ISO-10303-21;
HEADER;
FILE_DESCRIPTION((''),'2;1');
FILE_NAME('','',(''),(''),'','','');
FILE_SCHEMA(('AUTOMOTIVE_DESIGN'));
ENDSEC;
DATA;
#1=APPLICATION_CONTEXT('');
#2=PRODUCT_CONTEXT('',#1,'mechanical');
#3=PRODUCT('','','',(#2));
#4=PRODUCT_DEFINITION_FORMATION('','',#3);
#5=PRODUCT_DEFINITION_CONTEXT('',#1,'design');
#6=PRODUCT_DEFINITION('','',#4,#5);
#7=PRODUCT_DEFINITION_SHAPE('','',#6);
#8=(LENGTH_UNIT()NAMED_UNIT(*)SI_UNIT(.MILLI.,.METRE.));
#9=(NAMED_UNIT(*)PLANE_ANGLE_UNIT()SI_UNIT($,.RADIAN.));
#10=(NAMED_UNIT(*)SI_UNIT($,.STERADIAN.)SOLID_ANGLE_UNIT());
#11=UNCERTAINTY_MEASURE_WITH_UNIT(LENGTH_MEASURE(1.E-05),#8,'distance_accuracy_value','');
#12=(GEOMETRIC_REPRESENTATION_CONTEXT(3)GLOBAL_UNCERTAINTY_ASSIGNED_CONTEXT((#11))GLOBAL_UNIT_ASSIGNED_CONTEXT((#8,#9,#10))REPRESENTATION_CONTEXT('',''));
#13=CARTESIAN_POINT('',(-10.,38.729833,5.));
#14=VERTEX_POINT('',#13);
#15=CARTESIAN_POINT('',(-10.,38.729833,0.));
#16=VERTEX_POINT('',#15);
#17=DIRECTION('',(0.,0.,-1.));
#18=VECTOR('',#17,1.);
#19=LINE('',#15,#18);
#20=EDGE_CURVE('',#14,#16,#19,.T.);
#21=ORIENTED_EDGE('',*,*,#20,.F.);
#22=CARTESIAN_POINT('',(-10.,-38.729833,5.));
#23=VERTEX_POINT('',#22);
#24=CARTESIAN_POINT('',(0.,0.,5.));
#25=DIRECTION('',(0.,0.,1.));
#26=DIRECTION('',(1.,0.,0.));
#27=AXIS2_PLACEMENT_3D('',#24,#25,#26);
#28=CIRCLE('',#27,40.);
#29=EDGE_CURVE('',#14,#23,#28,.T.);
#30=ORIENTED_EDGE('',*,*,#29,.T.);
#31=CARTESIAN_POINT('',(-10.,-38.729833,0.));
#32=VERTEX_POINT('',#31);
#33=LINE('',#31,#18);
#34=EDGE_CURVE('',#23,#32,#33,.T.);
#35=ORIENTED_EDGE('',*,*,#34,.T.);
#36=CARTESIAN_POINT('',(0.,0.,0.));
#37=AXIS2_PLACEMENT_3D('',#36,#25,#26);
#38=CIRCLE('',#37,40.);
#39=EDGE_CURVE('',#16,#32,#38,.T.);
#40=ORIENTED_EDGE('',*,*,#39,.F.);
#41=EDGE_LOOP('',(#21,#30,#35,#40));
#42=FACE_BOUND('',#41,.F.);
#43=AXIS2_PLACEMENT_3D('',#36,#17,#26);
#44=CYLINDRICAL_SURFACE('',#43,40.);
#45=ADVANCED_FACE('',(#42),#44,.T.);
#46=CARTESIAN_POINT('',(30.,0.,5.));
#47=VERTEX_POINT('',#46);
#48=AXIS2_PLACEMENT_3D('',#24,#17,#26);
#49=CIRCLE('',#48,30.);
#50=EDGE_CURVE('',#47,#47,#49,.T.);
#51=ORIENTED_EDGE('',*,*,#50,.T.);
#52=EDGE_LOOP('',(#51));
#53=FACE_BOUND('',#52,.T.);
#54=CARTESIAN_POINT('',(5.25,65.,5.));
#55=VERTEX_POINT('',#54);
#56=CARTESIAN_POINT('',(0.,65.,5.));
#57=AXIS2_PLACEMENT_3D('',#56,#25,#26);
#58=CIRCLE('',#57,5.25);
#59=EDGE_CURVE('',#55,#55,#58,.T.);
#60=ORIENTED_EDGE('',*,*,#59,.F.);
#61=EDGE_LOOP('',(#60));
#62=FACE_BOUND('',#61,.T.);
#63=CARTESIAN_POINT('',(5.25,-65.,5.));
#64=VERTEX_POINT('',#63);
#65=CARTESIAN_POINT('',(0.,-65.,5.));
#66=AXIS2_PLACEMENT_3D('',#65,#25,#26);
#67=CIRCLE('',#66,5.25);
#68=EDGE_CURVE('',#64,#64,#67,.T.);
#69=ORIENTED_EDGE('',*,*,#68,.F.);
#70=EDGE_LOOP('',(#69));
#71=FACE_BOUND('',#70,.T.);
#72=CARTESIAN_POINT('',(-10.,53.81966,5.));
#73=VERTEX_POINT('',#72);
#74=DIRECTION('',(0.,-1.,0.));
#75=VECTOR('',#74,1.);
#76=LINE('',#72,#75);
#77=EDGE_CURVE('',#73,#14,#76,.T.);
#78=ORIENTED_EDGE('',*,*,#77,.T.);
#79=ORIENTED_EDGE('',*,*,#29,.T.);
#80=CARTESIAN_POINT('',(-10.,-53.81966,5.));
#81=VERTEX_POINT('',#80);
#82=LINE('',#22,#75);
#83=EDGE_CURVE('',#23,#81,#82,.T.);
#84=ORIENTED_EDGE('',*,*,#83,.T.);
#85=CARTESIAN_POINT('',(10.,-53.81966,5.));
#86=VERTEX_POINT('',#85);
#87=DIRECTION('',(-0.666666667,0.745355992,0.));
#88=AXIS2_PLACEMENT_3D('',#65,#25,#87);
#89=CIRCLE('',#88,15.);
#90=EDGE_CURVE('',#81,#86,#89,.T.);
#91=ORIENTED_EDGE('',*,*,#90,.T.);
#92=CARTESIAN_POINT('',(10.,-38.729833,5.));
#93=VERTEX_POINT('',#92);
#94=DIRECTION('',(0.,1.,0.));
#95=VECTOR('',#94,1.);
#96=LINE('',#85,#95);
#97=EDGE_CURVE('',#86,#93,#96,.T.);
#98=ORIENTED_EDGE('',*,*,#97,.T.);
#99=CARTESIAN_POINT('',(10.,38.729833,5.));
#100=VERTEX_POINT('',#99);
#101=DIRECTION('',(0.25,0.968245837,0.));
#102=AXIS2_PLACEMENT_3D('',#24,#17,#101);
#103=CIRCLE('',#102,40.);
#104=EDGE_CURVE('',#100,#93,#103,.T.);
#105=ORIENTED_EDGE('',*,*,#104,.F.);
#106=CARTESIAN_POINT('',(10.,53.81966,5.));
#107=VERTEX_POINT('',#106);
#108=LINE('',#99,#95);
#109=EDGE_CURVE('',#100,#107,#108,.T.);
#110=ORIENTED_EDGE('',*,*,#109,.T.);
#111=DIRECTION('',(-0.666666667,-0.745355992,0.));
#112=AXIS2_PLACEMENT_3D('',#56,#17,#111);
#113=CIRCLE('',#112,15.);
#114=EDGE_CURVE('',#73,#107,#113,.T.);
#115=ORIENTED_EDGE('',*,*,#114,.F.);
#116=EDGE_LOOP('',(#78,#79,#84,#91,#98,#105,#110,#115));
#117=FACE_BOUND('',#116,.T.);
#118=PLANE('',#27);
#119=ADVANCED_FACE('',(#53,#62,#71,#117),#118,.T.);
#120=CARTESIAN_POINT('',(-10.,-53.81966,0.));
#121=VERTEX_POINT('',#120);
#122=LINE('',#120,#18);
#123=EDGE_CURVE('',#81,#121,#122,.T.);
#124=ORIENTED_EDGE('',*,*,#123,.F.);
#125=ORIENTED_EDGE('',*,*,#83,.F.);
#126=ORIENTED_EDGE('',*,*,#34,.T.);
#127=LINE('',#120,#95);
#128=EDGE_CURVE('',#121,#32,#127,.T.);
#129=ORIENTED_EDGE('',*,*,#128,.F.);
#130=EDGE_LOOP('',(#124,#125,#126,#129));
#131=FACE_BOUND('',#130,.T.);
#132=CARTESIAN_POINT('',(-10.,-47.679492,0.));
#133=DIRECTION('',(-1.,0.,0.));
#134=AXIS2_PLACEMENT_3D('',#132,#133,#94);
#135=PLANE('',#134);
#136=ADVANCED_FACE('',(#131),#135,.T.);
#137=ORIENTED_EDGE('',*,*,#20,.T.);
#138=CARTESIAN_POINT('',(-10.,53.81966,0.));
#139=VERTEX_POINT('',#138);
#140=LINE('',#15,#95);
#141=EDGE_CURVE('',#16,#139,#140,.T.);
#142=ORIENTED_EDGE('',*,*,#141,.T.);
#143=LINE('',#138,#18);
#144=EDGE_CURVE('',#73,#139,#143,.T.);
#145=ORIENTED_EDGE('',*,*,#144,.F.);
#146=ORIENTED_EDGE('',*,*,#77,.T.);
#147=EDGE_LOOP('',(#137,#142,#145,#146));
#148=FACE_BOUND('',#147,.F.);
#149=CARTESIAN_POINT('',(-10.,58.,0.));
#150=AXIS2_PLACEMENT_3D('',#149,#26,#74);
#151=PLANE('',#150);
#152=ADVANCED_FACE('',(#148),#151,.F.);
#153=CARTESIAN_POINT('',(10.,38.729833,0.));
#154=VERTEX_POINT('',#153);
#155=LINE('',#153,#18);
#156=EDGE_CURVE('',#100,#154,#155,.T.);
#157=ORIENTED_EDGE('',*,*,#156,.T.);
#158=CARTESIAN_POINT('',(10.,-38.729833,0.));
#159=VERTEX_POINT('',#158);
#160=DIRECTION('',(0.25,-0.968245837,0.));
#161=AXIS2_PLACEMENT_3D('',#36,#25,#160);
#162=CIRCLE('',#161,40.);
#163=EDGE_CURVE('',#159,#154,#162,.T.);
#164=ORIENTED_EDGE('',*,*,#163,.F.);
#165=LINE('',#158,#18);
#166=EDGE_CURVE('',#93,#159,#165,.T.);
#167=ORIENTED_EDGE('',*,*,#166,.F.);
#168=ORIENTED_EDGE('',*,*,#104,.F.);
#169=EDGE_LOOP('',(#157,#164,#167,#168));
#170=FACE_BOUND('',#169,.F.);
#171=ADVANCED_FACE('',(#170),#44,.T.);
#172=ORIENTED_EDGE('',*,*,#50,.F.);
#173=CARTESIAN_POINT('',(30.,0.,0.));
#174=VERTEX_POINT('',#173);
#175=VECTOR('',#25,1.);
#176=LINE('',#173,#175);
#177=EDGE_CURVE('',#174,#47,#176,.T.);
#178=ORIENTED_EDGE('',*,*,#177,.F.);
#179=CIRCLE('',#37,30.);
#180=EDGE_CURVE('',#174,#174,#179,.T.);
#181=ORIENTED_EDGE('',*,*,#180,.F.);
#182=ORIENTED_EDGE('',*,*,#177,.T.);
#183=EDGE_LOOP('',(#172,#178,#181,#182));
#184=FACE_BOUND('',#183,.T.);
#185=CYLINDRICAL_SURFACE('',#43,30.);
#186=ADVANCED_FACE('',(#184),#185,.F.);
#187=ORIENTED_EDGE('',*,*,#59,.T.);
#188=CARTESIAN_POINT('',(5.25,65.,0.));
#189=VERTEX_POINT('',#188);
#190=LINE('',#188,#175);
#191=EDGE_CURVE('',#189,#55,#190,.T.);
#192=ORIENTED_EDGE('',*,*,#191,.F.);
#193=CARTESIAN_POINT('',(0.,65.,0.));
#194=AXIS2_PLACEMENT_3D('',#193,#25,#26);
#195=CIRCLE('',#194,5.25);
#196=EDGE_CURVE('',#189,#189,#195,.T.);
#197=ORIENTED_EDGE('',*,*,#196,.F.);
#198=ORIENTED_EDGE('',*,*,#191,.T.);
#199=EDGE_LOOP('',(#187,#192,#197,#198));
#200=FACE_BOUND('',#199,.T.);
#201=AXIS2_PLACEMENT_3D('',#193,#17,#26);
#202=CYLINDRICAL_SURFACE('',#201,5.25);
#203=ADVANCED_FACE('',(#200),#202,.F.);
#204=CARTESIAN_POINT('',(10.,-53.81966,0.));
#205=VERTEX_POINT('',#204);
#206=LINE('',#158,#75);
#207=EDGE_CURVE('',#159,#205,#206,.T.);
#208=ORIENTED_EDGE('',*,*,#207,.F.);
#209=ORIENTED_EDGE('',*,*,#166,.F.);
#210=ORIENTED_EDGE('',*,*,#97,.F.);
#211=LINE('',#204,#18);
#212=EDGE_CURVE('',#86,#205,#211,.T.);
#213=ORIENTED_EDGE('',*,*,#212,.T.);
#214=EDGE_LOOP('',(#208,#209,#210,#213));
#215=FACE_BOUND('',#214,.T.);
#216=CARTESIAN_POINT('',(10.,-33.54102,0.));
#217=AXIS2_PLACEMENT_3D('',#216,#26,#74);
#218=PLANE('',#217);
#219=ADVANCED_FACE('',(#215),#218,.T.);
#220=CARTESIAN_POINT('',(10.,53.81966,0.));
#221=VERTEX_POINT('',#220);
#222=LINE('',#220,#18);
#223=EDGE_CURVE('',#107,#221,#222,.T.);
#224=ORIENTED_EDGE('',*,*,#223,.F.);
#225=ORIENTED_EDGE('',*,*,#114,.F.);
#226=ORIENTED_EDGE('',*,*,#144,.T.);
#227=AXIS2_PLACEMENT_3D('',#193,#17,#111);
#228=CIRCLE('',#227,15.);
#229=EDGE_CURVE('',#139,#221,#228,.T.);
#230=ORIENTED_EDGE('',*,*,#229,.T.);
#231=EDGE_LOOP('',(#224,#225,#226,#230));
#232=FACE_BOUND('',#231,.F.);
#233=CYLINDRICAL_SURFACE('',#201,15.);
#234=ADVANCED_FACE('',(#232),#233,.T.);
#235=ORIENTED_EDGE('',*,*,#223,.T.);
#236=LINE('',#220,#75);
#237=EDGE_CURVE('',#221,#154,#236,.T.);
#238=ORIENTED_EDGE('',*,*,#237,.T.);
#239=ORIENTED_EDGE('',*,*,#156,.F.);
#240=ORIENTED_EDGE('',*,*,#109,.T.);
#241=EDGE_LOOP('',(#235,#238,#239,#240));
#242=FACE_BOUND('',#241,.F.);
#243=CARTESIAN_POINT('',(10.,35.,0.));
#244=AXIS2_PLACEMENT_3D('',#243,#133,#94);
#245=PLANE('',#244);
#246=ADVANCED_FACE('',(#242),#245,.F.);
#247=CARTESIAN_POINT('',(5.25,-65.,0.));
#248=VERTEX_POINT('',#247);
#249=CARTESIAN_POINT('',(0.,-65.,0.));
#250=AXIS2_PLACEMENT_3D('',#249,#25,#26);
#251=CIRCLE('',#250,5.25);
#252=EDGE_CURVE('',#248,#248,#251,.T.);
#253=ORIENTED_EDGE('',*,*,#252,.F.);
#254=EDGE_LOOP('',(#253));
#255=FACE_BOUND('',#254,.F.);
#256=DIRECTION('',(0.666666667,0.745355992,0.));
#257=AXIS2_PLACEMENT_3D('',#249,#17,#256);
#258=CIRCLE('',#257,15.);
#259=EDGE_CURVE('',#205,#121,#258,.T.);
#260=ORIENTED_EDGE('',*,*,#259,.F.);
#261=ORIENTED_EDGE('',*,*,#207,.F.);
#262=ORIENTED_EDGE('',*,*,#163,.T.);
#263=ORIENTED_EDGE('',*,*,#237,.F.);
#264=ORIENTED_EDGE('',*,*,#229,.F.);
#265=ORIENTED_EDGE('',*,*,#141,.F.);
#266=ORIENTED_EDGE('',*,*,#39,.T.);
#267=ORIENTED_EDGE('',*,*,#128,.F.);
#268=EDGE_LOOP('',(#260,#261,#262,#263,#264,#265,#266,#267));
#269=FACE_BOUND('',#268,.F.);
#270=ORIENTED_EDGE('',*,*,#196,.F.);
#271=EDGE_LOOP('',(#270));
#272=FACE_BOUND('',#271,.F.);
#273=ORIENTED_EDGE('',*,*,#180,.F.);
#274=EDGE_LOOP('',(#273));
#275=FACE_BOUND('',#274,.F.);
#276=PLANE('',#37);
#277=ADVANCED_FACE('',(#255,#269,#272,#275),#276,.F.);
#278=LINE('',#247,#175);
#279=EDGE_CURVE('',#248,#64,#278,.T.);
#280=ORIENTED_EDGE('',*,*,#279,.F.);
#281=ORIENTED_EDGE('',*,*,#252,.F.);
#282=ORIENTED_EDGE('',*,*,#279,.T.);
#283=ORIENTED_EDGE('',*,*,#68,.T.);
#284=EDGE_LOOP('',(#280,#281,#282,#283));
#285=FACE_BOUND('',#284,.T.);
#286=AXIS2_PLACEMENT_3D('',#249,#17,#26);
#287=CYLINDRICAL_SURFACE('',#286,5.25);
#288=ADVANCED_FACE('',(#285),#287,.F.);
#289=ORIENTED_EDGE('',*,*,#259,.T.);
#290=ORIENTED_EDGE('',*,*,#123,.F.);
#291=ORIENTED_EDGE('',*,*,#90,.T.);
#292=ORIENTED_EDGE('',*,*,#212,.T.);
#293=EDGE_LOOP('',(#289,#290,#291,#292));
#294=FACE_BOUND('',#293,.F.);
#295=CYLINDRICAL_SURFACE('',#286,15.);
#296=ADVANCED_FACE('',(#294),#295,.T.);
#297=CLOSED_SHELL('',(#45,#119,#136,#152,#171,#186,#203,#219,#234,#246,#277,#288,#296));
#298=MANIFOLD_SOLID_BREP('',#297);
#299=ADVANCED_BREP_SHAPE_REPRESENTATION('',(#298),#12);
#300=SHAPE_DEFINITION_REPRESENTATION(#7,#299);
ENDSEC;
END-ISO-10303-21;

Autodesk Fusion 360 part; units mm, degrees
sketch "Sketch1" plane through (0, 0, 0) normal (0, 0, 1) x (1, 0, 0)
  circle A0 centre (0, 0) radius 90
  circle A1 centre (0, 65) radius 10
  circle A2 centre (0, -65) radius 10
  circle A3 centre (0, 0) radius 25
  circle A4 centre (0, 0) radius 35
  circle A5 centre (0, 65) radius 20
  circle A6 centre (0, -65) radius 20
  line L0 (-10, 30) -> (10, 30)
  line L1 (10, 30) -> (10, 50)
  line L2 (10, 50) -> (-10, 50)
  line L3 (-10, 50) -> (-10, 30)
  line L4 (-10, -30) -> (10, -30)
  line L5 (10, -30) -> (10, -50)
  line L6 (10, -50) -> (-10, -50)
  line L7 (-10, -50) -> (-10, -30)
  dimension "d1" = 50
extrude "Extrude1" add sketch "Sketch1" along normal blind 5 contours A4 L0 L1 L3 L4 L5 L7 | A4 L0 L1 L3 | A4 A5 L1 L3 | A4 A6 L5 L7 | A4 L4 L5 L7 | A5 L1 L2 L3 | A5 L1 L2 L3 | A6 L5 L6 L7 | A6 L5 L6 L7 makes body 1
sketch "Sketch2" plane through (0, 0, 0) normal (0, 0, 1) x (1, 0, 0)
sketch "Sketch3" plane through (0, 0, 0) normal (0, 0, 1) x (1, 0, 0)
  circle A0 centre (0, 0) radius 30
extrude "Extrude2" cut sketch "Sketch3" along normal blind 8 bodies 1
sketch "Sketch4" plane through (0, 0, 0) normal (0, 0, 1) x (1, 0, 0)
sketch "Sketch5" plane through (0, 0, 0) normal (0, 1, 0) x (1, 0, 0)
sketch "Sketch6" plane through (0, 0, 0) normal (0, 0, 1) x (1, 0, 0)
  circle A0 centre (0, 65) radius 5.25
  circle A1 centre (0, 65) radius 10
  dimension "d6" = 10.5
extrude "Extrude3" add sketch "Sketch6" along normal blind 5 bodies 1
sketch "Sketch7" plane through (0, 0, 0) normal (0, 0, 1) x (1, 0, 0)
  circle A0 centre (0, -65) radius 5.25
  circle A1 centre (0, -65) radius 10
  dimension "d9" = 10.5
extrude "Extrude4" add sketch "Sketch7" along normal blind 5 bodies 1
sketch "Sketch8" plane through (0, 0, 0) normal (0, 0, 1) x (1, 0, 0)
  circle A0 centre (0, 0) radius 40
  circle A1 centre (0, 0) radius 30
  circle A2 centre (0, 0) radius 30
extrude "Extrude5" add sketch "Sketch8" along normal blind 5 bodies 1
sketch "Sketch9" plane through (0, 0, 0) normal (0, 0, 1) x (1, 0, 0)
sketch "Sketch10" plane through (0, 0, 0) normal (0, 0, 1) x (1, 0, 0)
sketch "Sketch11" plane through (0, 0, 0) normal (0, 0, 1) x (1, 0, 0)
sketch "Sketch12" plane through (0, 0, 0) normal (0, 0, 1) x (1, 0, 0)
  circle A0 centre (0, 65) radius 15
  circle A1 centre (0, 65) radius 20
extrude "Extrude6" cut sketch "Sketch12" along normal blind 30 bodies 1 makes body 2 at (11.6746, 63.994, 0)
sketch "Sketch13" plane through (0, 0, 0) normal (0, 0, 1) x (1, 0, 0)
  circle A0 centre (0, -65) radius 15
  circle A1 centre (0, -65) radius 20
extrude "Extrude7" cut sketch "Sketch13" along normal blind 22 bodies 1 makes body 3 at (3.3287, -53.7649, 0)
sketch "Sketch14" plane through (0, 0, 0) normal (0, 0, 1) x (1, 0, 0)
  line L0 (-10, -35) -> (10, -35)
  line L1 (10, -35) -> (10, -59)
  line L2 (10, -59) -> (-10, -59)
  line L3 (-10, -59) -> (-10, -35)
  line L4 (-10, 35) -> (10, 35)
  line L5 (10, 35) -> (10, 58)
  line L6 (10, 58) -> (-10, 58)
  line L7 (-10, 58) -> (-10, 35)
extrude "Extrude8" add sketch "Sketch14" along normal blind 5 bodies 1 2 3
